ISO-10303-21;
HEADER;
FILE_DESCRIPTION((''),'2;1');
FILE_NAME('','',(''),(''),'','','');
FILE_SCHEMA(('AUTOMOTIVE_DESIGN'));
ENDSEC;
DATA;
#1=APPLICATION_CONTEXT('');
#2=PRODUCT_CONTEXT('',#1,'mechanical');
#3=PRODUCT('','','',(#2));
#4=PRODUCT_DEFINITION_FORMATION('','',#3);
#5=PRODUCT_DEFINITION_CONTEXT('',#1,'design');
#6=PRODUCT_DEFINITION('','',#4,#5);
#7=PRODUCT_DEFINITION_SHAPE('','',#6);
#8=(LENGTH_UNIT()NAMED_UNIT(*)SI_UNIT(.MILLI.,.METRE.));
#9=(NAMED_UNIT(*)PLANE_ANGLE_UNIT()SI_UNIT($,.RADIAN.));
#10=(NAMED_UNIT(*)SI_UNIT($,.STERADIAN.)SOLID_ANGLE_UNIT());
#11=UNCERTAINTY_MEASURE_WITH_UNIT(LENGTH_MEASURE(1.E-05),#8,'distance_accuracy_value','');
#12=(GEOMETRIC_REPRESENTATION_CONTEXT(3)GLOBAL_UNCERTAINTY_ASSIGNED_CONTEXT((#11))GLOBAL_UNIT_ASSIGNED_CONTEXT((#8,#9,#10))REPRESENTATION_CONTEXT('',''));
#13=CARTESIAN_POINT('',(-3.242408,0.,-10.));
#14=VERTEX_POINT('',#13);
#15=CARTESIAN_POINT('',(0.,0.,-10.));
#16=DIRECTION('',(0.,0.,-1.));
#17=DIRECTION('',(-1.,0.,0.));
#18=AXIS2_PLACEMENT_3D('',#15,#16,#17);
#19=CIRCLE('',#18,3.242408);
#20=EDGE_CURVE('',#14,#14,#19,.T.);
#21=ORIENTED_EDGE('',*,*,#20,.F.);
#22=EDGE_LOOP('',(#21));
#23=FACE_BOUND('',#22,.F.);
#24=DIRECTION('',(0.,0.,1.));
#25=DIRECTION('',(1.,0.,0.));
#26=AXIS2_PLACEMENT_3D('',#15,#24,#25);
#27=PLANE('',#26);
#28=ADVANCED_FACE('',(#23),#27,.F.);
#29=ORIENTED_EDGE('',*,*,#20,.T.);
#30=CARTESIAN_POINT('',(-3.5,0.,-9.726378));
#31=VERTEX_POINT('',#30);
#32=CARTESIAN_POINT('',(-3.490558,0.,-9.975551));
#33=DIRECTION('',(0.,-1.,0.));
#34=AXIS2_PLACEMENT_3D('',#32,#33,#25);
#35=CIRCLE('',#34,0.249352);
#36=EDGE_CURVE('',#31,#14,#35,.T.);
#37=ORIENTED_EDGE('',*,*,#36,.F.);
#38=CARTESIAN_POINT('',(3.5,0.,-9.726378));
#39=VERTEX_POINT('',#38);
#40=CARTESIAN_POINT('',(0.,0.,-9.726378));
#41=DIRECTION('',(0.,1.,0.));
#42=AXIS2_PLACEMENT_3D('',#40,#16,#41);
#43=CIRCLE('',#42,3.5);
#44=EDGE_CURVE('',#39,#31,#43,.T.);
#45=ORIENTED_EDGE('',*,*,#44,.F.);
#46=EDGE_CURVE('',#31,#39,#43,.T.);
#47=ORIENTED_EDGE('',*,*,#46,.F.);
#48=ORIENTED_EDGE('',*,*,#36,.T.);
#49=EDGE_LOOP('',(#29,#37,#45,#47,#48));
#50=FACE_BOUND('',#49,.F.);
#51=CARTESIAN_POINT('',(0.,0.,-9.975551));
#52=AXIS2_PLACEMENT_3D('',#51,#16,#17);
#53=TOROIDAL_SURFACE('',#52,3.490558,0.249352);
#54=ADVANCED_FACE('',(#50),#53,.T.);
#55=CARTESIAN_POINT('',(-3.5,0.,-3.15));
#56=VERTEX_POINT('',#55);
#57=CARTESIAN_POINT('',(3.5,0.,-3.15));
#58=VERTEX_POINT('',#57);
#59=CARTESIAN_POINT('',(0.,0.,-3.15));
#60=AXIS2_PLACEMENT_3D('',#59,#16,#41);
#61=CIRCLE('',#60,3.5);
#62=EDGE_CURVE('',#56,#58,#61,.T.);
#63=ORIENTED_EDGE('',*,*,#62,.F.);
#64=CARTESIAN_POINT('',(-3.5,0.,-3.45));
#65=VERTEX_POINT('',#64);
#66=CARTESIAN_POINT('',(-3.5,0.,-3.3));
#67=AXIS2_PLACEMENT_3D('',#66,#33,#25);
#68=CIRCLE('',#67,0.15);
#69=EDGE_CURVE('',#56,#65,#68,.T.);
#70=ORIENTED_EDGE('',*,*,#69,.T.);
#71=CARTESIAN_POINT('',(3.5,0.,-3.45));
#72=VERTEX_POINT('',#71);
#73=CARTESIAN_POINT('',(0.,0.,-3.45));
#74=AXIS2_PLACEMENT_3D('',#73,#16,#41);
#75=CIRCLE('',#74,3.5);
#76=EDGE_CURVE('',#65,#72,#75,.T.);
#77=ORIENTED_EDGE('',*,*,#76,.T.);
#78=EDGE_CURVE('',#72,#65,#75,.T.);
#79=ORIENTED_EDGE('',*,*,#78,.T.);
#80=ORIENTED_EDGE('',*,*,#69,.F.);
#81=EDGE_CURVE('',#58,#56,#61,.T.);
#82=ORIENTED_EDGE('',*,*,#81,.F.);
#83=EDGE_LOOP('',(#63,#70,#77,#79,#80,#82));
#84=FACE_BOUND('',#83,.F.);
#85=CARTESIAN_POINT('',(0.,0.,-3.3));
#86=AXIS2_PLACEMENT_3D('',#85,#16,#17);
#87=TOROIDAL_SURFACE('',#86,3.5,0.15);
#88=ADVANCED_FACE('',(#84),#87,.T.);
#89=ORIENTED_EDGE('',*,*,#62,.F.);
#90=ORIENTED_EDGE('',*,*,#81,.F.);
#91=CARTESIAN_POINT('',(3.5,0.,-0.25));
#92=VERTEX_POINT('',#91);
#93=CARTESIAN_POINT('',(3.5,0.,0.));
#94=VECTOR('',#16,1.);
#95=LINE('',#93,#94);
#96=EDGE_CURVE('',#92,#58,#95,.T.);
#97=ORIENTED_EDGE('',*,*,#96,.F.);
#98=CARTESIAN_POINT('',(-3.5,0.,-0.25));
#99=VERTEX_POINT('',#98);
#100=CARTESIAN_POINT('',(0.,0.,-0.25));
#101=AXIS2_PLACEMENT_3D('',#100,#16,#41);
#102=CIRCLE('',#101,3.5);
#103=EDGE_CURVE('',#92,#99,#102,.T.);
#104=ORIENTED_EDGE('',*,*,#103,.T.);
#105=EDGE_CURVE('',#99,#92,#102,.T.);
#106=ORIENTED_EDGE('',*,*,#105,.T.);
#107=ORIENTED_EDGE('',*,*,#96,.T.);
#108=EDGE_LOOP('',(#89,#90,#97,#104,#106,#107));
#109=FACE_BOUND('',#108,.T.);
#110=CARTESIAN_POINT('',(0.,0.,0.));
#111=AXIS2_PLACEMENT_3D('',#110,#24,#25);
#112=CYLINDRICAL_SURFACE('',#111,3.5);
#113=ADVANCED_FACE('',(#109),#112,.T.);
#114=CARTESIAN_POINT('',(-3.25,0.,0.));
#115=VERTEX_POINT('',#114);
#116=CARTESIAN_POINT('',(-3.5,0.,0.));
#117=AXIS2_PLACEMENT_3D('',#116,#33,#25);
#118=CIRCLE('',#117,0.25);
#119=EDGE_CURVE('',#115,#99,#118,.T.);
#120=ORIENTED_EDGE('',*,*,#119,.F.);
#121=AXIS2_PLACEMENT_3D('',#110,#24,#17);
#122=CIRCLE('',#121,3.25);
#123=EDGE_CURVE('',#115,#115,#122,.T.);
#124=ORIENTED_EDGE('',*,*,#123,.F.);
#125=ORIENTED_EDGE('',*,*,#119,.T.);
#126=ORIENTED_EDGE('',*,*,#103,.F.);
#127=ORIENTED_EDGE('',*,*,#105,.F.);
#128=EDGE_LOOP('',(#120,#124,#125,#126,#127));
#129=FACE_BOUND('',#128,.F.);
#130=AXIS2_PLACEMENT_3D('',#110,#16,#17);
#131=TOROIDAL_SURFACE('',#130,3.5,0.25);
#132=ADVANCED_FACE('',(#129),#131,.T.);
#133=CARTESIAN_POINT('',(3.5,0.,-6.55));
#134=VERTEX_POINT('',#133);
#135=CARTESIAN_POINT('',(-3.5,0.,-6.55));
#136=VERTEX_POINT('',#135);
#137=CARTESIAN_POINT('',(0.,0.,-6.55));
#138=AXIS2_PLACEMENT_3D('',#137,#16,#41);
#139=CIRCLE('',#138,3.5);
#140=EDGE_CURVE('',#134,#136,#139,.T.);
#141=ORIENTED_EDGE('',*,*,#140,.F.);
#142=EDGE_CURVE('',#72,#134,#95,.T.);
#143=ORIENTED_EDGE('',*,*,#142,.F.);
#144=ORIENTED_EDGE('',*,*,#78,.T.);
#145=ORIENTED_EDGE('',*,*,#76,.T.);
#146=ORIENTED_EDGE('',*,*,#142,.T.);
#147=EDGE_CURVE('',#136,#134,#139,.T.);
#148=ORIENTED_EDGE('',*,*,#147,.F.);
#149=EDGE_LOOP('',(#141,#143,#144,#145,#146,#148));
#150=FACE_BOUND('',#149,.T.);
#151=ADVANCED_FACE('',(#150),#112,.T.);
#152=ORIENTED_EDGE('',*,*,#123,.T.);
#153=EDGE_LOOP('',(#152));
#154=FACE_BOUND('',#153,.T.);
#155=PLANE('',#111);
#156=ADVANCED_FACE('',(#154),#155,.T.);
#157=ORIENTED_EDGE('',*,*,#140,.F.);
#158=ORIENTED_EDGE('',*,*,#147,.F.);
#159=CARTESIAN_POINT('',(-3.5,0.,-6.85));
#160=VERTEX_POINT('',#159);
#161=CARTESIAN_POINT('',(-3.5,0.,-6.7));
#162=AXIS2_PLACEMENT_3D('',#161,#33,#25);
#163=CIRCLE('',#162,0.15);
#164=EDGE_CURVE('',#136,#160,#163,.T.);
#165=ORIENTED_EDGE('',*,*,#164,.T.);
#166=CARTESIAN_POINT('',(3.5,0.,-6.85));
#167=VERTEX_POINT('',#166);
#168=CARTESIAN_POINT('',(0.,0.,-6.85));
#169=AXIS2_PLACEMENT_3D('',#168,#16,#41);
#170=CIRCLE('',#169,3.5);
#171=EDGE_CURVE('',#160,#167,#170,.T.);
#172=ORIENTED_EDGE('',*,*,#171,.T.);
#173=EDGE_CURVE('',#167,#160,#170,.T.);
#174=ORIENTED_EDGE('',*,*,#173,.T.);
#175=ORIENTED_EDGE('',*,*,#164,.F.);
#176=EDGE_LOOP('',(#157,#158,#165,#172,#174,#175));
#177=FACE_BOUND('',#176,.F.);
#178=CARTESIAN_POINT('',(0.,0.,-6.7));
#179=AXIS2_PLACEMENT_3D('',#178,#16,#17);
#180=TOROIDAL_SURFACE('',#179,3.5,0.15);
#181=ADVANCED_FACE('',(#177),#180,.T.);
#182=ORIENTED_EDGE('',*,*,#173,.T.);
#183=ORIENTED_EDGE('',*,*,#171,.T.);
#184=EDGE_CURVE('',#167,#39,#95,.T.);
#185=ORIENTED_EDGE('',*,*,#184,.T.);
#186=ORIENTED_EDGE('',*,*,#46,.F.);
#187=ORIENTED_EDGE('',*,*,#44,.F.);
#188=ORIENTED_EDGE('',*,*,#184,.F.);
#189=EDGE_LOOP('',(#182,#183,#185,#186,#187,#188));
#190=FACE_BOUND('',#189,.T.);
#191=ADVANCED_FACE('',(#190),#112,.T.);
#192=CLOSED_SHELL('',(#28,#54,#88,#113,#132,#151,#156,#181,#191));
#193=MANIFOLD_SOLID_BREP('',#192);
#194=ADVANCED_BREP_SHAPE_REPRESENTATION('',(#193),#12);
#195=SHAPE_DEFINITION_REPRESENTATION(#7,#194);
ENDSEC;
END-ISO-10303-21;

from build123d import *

# Parameters (mm, degrees)
F0_R     = 3.5
F1_DEPTH = 10
F2_R     = 0.25
F2_R_2   = 0.249352
F2_R_3   = 0.15


with BuildPart() as f1:
    # F0 (on Top) → F1 (new body)
    with BuildSketch(Plane.XY):
        Circle(F0_R)
    extrude(amount=-F1_DEPTH)

    # F2 (on Front) → F3 (revolve)
    with BuildSketch(Plane.XZ):
        with Locations((-3.5, 0)):
            Circle(F2_R)
        with Locations((-3.490558, -9.975551)):
            Circle(F2_R_2)
        with Locations((-3.5, -3.3)):
            Circle(F2_R_3)
        with Locations((-3.5, -6.7)):
            Circle(F2_R_3)
    revolve(axis=Axis((0, 0, 0), (0, 0, 1)))


solid = f1.part
